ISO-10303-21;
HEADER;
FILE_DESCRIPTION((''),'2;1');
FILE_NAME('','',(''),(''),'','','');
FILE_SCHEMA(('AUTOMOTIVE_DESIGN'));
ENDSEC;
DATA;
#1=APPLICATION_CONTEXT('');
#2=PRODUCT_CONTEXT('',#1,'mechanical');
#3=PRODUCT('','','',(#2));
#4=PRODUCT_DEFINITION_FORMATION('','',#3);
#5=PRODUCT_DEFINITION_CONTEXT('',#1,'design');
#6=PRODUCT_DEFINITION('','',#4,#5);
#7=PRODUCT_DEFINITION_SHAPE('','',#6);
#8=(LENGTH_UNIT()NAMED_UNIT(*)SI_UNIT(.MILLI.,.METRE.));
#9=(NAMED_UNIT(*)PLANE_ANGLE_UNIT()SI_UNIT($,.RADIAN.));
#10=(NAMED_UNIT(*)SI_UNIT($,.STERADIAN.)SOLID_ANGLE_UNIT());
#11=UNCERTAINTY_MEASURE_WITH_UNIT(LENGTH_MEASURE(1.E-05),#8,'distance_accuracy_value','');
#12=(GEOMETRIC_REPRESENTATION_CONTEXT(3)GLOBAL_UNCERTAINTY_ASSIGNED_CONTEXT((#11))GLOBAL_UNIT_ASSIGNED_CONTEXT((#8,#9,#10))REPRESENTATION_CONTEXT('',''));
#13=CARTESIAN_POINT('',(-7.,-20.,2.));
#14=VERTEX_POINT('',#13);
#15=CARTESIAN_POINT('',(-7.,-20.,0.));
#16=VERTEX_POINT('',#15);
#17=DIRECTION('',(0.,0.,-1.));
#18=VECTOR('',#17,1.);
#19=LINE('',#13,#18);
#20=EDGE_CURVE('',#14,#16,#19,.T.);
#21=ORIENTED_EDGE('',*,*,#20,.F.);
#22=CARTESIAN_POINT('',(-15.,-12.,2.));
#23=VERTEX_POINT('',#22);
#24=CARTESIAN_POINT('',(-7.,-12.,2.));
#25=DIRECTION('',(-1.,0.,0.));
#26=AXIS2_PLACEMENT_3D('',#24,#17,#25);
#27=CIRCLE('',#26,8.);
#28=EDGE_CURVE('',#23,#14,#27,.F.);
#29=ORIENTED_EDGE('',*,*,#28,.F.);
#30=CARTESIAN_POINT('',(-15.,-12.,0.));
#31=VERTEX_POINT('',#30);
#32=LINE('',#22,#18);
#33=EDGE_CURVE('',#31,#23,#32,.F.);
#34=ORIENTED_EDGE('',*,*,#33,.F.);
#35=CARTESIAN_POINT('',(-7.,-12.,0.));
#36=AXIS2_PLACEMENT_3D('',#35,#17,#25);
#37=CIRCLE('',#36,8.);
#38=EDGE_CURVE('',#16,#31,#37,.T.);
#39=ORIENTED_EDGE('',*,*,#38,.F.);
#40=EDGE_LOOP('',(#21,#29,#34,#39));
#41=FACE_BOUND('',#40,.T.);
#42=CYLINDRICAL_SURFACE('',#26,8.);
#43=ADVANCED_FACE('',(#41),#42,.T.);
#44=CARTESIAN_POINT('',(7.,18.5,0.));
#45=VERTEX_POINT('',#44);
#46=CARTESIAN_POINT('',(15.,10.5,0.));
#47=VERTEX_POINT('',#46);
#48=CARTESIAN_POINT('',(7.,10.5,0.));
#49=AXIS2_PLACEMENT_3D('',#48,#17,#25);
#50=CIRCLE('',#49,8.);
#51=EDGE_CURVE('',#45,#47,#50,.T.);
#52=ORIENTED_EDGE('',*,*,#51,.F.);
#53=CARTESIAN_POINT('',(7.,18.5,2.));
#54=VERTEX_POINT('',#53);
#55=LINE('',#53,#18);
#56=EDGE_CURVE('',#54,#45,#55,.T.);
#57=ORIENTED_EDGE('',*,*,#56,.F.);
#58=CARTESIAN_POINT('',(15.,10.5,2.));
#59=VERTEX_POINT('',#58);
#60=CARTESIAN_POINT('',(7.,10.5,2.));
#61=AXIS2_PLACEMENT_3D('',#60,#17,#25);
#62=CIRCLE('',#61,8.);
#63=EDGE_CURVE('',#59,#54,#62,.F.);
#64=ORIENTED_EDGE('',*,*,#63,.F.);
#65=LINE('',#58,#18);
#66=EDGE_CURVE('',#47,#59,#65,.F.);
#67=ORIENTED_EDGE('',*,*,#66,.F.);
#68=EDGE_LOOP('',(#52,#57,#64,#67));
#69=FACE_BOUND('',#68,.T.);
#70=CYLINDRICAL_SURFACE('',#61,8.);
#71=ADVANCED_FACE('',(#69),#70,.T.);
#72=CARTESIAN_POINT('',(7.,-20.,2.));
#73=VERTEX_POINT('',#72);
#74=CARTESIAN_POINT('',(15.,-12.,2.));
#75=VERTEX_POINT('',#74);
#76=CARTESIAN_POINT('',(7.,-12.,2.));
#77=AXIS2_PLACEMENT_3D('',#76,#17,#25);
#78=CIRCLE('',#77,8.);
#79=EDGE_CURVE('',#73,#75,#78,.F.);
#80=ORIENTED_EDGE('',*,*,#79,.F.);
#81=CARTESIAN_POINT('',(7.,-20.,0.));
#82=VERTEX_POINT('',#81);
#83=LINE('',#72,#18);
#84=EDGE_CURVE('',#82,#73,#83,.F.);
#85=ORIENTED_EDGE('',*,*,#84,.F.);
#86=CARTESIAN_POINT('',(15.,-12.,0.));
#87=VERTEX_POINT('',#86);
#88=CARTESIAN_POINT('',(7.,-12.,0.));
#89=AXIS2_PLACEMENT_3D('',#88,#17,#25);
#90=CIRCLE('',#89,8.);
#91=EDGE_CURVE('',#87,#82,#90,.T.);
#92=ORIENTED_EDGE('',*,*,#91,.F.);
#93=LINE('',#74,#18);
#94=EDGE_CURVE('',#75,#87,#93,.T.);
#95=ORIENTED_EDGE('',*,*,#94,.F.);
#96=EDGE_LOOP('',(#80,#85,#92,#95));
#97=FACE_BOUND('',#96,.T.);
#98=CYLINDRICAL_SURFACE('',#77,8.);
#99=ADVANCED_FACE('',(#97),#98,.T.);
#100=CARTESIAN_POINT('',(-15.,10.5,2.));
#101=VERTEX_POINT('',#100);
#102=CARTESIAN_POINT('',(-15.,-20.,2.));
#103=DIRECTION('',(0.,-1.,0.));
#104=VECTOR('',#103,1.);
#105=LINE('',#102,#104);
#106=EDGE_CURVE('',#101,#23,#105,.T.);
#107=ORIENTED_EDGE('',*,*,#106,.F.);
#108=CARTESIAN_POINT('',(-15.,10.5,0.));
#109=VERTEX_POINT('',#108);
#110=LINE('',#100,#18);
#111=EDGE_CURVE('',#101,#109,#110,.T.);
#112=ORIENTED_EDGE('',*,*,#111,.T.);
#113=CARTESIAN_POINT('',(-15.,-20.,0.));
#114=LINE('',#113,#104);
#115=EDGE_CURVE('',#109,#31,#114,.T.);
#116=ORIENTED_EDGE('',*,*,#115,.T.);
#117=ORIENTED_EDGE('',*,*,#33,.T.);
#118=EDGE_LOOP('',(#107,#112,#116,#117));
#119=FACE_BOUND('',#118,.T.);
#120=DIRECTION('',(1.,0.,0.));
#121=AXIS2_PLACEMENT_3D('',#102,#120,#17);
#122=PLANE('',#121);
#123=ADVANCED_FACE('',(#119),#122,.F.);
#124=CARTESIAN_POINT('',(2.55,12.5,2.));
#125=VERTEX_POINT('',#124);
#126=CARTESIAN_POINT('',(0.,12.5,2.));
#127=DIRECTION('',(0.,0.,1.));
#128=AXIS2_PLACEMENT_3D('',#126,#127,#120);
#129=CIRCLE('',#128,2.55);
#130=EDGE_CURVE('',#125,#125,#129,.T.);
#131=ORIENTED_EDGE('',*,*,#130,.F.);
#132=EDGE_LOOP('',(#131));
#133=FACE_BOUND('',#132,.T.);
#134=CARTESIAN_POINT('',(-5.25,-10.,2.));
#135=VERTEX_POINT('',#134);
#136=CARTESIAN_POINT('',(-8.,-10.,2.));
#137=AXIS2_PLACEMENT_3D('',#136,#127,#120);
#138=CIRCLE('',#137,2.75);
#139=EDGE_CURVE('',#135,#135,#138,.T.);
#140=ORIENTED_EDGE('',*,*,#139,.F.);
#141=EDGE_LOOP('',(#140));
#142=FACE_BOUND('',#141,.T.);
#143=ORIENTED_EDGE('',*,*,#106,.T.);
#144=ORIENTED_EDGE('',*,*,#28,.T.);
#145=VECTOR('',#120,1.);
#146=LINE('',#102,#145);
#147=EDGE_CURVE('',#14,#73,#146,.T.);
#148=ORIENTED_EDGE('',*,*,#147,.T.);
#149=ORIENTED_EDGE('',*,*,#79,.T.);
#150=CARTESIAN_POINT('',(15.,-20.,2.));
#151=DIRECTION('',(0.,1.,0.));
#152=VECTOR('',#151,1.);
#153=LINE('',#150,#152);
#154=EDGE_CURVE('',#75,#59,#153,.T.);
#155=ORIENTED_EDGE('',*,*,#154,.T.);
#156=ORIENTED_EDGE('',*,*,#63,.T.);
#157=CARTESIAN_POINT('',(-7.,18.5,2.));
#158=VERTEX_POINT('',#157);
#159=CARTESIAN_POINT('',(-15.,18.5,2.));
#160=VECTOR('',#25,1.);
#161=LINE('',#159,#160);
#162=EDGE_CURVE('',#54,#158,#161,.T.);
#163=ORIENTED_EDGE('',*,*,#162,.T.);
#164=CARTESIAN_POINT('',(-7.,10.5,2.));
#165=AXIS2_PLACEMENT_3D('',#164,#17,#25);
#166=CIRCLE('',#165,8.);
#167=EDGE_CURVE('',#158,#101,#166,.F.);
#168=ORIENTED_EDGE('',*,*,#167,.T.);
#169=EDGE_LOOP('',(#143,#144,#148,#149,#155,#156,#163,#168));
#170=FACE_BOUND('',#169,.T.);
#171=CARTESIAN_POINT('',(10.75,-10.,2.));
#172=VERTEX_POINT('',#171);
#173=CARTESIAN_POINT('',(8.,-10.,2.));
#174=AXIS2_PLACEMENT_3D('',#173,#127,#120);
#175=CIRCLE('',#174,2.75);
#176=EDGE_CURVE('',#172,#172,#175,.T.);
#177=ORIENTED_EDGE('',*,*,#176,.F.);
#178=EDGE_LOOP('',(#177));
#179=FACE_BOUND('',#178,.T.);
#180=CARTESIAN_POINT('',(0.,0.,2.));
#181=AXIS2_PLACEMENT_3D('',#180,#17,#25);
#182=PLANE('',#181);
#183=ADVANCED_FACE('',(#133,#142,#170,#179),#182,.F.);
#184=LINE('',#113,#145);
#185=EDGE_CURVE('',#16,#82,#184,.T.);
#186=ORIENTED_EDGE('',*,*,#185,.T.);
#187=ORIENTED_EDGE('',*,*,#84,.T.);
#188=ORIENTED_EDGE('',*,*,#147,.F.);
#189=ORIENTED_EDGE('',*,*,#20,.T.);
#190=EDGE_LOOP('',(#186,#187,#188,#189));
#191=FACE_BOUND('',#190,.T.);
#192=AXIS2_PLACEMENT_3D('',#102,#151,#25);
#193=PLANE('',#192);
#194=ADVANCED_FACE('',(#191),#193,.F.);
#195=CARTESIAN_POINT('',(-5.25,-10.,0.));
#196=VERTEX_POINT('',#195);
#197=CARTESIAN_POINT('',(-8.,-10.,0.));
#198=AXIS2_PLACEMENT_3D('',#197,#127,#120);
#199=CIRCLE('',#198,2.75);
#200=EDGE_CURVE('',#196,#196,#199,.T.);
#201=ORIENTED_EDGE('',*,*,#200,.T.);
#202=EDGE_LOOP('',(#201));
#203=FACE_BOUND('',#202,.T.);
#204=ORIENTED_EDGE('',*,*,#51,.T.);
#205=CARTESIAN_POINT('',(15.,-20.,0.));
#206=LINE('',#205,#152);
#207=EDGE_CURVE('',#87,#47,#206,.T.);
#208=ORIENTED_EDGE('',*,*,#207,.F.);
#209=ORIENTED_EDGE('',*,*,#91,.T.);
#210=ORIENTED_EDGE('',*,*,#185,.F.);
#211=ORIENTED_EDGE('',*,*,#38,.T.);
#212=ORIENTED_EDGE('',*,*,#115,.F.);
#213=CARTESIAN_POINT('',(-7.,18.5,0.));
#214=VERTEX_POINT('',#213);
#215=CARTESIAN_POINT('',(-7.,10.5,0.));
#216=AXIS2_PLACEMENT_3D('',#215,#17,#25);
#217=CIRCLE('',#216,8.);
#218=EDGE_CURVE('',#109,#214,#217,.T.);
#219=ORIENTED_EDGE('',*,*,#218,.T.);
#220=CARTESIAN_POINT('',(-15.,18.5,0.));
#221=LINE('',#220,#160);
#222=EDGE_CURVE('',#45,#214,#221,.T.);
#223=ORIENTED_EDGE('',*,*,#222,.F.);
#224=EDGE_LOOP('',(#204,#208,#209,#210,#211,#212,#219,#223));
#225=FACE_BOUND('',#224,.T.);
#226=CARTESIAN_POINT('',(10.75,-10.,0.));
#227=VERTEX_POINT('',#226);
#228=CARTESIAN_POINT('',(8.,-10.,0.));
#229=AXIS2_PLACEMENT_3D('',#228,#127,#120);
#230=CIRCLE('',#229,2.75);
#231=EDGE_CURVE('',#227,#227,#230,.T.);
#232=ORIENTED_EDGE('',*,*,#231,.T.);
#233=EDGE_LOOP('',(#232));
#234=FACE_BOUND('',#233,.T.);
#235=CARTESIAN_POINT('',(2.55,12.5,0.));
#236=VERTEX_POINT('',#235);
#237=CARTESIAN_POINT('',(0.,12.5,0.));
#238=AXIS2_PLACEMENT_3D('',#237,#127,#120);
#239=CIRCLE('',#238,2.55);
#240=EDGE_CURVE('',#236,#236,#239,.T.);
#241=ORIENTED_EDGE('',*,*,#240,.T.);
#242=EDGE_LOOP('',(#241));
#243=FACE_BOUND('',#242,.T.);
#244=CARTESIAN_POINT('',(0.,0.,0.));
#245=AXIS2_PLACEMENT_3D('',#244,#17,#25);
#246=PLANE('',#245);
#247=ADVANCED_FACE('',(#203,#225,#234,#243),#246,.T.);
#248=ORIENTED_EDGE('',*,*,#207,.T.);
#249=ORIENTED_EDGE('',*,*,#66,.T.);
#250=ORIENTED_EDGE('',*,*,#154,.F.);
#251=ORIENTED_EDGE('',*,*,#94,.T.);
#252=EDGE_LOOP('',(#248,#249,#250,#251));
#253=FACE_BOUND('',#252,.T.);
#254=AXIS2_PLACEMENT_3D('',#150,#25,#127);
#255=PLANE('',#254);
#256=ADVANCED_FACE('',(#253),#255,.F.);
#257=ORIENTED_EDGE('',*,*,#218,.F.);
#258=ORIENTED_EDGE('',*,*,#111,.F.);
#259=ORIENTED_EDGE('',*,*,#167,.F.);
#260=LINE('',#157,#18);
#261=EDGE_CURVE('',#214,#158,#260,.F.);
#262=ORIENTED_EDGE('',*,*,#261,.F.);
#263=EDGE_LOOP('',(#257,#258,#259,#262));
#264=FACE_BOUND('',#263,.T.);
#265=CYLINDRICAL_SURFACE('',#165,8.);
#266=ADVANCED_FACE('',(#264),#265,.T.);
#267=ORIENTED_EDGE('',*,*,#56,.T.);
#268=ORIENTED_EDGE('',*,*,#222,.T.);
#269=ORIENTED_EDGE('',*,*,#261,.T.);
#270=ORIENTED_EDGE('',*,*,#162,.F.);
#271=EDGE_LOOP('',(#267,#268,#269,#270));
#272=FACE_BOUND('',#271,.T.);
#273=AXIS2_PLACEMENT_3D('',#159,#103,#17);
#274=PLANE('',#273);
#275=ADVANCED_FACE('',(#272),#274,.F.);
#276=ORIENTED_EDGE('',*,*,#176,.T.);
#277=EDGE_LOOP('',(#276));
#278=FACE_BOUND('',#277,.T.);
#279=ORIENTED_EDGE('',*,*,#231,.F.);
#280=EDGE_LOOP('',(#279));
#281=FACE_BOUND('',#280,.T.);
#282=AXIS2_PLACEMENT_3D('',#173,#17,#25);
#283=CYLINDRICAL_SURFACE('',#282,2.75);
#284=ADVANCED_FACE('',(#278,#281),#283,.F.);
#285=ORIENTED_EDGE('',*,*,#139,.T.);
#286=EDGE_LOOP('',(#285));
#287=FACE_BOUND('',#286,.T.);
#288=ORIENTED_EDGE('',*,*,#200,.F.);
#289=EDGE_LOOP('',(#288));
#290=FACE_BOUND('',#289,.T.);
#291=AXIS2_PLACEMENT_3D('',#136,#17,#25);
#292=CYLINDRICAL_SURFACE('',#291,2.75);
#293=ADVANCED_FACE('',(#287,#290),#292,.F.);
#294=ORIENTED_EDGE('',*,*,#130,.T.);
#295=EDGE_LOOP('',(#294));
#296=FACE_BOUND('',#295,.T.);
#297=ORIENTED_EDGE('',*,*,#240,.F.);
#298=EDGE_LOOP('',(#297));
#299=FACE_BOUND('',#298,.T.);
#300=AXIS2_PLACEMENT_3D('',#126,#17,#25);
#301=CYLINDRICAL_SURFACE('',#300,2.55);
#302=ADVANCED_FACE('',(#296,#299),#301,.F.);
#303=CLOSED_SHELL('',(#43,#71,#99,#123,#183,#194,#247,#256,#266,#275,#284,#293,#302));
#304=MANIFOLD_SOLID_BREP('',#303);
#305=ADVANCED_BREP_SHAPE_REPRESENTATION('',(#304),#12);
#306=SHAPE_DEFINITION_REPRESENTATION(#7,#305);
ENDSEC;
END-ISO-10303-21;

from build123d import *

# Parameters (mm, degrees)
SKETCH1_W           = 30
SKETCH1_H           = 38.5
SKETCH1_R           = 2.55
SKETCH1_R_2         = 2.75
BOSS_EXTRUDE1_DEPTH = 2
FILLET1_R           = 8


with BuildPart() as part:
    # Sketch1 → Boss-Extrude1 (new body)
    with BuildSketch(Plane.XY):
        with Locations((0, -0.75)):
            Rectangle(SKETCH1_W, SKETCH1_H)
        with Locations((0, 12.5)):
            Circle(SKETCH1_R, mode=Mode.SUBTRACT)
        with Locations((-8, -10)):
            Circle(SKETCH1_R_2, mode=Mode.SUBTRACT)
        with Locations((8, -10)):
            Circle(SKETCH1_R_2, mode=Mode.SUBTRACT)
    extrude(amount=BOSS_EXTRUDE1_DEPTH)

    # Fillet1
    fillet1_edges = [part.edges().sort_by_distance(p)[0] for p in [
        (15, -20, 1),
        (-15, -20, 1),
        (-15, 18.5, 1),
        (15, 18.5, 1),
    ]]
    fillet(fillet1_edges, radius=FILLET1_R)


solid = part.part
